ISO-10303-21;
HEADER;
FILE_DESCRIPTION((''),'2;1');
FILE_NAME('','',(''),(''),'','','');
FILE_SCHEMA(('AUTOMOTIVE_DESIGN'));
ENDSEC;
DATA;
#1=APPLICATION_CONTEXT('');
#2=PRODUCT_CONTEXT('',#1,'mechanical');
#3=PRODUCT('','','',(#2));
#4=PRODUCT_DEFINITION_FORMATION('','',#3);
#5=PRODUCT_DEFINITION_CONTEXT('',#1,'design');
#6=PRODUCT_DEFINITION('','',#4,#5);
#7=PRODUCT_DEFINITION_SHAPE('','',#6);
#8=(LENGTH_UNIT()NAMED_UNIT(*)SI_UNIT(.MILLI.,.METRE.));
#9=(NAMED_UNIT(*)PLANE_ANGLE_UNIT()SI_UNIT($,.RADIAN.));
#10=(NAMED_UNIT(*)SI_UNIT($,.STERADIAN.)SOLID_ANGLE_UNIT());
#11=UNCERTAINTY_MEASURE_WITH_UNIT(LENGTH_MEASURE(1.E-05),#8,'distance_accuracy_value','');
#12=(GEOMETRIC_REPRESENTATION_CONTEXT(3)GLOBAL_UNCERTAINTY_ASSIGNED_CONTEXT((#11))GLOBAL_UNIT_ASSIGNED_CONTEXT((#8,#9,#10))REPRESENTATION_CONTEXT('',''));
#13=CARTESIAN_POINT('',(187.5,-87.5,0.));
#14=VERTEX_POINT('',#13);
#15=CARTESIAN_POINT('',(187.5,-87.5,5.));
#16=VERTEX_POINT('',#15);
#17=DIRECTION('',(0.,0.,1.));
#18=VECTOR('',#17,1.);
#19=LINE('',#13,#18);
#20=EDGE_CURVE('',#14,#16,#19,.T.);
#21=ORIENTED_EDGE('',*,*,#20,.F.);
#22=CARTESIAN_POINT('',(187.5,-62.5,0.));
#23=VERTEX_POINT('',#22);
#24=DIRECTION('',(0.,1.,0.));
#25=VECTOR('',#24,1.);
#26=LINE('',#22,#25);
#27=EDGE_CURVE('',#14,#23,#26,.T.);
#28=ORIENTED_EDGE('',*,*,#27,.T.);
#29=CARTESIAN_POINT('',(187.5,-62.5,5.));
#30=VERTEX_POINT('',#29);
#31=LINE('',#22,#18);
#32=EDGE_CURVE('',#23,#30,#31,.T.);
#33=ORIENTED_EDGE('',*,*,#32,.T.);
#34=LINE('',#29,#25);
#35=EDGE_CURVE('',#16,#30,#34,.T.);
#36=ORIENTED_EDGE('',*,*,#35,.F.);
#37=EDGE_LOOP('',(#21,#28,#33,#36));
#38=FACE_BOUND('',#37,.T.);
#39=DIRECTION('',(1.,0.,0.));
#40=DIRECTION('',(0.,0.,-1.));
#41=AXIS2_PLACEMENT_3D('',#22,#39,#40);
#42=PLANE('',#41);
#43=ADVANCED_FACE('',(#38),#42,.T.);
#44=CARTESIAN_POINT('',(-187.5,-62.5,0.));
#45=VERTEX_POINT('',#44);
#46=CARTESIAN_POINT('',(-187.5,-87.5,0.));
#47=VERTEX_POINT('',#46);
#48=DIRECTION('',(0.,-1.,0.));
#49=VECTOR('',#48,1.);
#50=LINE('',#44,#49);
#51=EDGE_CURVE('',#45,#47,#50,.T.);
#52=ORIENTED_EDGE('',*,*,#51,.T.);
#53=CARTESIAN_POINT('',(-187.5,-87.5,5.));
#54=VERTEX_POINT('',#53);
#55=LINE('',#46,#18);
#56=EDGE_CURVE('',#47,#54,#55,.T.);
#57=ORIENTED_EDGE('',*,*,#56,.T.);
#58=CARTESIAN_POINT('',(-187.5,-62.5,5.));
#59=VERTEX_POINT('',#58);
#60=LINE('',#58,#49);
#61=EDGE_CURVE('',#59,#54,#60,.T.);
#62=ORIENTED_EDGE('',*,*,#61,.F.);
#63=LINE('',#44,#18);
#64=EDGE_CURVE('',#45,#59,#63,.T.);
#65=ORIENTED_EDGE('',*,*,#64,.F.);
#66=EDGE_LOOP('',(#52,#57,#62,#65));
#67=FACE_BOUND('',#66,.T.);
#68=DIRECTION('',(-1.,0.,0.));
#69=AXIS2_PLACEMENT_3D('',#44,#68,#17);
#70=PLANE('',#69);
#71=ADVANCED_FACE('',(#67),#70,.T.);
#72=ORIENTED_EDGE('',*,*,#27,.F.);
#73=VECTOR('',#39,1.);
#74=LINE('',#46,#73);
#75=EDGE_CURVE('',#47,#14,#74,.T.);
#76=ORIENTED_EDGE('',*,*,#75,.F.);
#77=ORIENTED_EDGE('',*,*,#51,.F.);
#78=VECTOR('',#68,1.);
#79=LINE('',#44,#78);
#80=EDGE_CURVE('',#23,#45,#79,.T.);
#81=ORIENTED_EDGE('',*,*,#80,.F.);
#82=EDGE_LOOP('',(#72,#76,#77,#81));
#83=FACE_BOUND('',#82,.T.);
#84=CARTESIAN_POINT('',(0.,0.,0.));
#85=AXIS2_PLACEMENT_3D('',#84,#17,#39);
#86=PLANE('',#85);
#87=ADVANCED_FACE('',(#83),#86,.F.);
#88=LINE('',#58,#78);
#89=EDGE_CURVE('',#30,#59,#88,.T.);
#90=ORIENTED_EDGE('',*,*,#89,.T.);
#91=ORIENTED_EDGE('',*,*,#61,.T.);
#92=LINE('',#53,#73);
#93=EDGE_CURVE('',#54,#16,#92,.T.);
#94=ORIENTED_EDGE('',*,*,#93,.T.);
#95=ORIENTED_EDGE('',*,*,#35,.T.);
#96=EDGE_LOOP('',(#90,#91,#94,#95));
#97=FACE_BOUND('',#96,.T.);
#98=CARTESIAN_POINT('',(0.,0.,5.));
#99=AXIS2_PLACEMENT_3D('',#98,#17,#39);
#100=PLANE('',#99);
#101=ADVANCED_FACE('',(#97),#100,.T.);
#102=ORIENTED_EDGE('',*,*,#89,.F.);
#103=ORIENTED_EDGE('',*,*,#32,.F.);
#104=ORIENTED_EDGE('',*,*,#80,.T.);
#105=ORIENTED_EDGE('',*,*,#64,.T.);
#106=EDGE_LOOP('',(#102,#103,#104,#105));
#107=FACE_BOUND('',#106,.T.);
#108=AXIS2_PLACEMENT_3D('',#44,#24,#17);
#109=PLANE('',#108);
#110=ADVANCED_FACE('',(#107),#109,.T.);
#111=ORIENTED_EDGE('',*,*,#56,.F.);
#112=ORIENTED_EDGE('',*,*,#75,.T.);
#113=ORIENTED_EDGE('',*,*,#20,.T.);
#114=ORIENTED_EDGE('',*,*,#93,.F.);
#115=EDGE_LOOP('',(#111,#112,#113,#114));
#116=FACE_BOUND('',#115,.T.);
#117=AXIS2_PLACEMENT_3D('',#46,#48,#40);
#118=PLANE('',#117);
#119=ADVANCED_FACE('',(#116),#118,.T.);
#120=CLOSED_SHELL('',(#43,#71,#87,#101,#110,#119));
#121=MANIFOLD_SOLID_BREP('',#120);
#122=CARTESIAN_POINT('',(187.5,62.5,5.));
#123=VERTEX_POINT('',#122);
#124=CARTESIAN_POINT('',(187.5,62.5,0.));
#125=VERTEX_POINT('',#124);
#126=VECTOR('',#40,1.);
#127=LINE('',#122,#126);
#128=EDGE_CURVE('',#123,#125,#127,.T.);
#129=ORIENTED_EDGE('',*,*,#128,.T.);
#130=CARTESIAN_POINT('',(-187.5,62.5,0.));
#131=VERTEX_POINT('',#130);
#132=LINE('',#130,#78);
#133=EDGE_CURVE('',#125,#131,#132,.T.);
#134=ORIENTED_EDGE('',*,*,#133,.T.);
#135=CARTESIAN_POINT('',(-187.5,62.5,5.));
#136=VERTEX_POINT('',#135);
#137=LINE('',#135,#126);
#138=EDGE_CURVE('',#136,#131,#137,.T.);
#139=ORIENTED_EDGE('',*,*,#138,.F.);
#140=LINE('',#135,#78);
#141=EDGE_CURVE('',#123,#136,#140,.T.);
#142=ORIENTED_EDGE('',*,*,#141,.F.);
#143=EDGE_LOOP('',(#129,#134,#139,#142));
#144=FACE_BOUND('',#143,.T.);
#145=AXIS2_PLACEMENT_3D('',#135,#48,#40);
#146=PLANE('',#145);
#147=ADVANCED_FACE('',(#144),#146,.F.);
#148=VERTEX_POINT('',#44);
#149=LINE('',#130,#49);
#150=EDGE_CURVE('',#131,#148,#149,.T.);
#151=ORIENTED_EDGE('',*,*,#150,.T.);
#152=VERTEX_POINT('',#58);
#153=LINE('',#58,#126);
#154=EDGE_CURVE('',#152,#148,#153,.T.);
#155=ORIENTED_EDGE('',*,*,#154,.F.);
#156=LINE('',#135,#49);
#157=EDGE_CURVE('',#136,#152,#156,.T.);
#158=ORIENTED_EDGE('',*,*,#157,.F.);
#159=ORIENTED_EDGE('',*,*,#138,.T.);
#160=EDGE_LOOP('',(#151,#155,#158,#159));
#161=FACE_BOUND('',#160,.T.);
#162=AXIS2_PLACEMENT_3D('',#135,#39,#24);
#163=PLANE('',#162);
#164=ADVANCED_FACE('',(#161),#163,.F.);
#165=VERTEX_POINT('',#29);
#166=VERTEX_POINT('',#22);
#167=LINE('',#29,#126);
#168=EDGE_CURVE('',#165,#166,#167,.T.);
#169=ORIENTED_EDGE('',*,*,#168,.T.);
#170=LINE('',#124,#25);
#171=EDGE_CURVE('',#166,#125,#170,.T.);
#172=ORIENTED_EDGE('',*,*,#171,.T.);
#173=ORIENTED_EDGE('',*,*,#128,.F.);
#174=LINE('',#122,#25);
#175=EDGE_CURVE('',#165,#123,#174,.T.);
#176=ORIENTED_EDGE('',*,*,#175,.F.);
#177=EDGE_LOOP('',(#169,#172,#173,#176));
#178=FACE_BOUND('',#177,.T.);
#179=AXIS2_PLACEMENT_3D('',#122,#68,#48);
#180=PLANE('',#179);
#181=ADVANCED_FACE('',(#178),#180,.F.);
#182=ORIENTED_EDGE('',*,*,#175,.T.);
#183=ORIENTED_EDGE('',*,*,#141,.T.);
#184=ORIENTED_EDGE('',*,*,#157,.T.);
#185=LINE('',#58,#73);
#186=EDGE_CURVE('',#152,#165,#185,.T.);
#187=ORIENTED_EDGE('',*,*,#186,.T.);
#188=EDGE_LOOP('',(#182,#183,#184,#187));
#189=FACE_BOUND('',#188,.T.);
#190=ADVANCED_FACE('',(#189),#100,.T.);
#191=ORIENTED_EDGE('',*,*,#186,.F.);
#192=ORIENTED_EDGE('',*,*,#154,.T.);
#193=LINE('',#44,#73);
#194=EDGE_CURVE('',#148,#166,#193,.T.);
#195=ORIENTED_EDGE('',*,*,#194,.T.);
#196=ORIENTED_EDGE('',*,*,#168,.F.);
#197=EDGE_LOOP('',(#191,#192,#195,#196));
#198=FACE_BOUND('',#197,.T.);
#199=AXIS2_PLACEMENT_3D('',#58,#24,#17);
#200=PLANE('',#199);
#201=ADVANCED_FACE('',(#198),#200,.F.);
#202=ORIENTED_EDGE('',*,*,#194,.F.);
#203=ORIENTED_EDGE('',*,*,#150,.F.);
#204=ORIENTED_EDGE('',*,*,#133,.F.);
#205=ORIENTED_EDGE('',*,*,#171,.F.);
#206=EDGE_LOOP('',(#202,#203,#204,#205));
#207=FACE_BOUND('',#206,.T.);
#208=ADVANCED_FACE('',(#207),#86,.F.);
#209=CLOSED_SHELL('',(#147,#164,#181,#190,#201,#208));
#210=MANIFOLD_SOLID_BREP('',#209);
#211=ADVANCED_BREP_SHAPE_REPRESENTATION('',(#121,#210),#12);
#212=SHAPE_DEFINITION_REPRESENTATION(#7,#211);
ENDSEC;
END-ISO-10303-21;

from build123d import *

# Parameters (mm, degrees)
SKETCH1_W           = 375
SKETCH1_H           = 125
BOSS_EXTRUDE1_DEPTH = 5
SKETCH2_W           = 375
SKETCH2_H           = 25
BOSS_EXTRUDE2_DEPTH = 5


with BuildPart() as part:
    # Sketch1 → Boss-Extrude1 (new body)
    with BuildSketch(Plane.XY):
        Rectangle(SKETCH1_W, SKETCH1_H)
    extrude(amount=BOSS_EXTRUDE1_DEPTH)


with BuildPart() as body_2:
    # Sketch2 → Boss-Extrude2 (new body)
    with BuildSketch(Plane.XY.offset(5)):
        with Locations((0, -75)):
            Rectangle(SKETCH2_W, SKETCH2_H)
    extrude(amount=-BOSS_EXTRUDE2_DEPTH)


solid = Compound([part.part, body_2.part])
